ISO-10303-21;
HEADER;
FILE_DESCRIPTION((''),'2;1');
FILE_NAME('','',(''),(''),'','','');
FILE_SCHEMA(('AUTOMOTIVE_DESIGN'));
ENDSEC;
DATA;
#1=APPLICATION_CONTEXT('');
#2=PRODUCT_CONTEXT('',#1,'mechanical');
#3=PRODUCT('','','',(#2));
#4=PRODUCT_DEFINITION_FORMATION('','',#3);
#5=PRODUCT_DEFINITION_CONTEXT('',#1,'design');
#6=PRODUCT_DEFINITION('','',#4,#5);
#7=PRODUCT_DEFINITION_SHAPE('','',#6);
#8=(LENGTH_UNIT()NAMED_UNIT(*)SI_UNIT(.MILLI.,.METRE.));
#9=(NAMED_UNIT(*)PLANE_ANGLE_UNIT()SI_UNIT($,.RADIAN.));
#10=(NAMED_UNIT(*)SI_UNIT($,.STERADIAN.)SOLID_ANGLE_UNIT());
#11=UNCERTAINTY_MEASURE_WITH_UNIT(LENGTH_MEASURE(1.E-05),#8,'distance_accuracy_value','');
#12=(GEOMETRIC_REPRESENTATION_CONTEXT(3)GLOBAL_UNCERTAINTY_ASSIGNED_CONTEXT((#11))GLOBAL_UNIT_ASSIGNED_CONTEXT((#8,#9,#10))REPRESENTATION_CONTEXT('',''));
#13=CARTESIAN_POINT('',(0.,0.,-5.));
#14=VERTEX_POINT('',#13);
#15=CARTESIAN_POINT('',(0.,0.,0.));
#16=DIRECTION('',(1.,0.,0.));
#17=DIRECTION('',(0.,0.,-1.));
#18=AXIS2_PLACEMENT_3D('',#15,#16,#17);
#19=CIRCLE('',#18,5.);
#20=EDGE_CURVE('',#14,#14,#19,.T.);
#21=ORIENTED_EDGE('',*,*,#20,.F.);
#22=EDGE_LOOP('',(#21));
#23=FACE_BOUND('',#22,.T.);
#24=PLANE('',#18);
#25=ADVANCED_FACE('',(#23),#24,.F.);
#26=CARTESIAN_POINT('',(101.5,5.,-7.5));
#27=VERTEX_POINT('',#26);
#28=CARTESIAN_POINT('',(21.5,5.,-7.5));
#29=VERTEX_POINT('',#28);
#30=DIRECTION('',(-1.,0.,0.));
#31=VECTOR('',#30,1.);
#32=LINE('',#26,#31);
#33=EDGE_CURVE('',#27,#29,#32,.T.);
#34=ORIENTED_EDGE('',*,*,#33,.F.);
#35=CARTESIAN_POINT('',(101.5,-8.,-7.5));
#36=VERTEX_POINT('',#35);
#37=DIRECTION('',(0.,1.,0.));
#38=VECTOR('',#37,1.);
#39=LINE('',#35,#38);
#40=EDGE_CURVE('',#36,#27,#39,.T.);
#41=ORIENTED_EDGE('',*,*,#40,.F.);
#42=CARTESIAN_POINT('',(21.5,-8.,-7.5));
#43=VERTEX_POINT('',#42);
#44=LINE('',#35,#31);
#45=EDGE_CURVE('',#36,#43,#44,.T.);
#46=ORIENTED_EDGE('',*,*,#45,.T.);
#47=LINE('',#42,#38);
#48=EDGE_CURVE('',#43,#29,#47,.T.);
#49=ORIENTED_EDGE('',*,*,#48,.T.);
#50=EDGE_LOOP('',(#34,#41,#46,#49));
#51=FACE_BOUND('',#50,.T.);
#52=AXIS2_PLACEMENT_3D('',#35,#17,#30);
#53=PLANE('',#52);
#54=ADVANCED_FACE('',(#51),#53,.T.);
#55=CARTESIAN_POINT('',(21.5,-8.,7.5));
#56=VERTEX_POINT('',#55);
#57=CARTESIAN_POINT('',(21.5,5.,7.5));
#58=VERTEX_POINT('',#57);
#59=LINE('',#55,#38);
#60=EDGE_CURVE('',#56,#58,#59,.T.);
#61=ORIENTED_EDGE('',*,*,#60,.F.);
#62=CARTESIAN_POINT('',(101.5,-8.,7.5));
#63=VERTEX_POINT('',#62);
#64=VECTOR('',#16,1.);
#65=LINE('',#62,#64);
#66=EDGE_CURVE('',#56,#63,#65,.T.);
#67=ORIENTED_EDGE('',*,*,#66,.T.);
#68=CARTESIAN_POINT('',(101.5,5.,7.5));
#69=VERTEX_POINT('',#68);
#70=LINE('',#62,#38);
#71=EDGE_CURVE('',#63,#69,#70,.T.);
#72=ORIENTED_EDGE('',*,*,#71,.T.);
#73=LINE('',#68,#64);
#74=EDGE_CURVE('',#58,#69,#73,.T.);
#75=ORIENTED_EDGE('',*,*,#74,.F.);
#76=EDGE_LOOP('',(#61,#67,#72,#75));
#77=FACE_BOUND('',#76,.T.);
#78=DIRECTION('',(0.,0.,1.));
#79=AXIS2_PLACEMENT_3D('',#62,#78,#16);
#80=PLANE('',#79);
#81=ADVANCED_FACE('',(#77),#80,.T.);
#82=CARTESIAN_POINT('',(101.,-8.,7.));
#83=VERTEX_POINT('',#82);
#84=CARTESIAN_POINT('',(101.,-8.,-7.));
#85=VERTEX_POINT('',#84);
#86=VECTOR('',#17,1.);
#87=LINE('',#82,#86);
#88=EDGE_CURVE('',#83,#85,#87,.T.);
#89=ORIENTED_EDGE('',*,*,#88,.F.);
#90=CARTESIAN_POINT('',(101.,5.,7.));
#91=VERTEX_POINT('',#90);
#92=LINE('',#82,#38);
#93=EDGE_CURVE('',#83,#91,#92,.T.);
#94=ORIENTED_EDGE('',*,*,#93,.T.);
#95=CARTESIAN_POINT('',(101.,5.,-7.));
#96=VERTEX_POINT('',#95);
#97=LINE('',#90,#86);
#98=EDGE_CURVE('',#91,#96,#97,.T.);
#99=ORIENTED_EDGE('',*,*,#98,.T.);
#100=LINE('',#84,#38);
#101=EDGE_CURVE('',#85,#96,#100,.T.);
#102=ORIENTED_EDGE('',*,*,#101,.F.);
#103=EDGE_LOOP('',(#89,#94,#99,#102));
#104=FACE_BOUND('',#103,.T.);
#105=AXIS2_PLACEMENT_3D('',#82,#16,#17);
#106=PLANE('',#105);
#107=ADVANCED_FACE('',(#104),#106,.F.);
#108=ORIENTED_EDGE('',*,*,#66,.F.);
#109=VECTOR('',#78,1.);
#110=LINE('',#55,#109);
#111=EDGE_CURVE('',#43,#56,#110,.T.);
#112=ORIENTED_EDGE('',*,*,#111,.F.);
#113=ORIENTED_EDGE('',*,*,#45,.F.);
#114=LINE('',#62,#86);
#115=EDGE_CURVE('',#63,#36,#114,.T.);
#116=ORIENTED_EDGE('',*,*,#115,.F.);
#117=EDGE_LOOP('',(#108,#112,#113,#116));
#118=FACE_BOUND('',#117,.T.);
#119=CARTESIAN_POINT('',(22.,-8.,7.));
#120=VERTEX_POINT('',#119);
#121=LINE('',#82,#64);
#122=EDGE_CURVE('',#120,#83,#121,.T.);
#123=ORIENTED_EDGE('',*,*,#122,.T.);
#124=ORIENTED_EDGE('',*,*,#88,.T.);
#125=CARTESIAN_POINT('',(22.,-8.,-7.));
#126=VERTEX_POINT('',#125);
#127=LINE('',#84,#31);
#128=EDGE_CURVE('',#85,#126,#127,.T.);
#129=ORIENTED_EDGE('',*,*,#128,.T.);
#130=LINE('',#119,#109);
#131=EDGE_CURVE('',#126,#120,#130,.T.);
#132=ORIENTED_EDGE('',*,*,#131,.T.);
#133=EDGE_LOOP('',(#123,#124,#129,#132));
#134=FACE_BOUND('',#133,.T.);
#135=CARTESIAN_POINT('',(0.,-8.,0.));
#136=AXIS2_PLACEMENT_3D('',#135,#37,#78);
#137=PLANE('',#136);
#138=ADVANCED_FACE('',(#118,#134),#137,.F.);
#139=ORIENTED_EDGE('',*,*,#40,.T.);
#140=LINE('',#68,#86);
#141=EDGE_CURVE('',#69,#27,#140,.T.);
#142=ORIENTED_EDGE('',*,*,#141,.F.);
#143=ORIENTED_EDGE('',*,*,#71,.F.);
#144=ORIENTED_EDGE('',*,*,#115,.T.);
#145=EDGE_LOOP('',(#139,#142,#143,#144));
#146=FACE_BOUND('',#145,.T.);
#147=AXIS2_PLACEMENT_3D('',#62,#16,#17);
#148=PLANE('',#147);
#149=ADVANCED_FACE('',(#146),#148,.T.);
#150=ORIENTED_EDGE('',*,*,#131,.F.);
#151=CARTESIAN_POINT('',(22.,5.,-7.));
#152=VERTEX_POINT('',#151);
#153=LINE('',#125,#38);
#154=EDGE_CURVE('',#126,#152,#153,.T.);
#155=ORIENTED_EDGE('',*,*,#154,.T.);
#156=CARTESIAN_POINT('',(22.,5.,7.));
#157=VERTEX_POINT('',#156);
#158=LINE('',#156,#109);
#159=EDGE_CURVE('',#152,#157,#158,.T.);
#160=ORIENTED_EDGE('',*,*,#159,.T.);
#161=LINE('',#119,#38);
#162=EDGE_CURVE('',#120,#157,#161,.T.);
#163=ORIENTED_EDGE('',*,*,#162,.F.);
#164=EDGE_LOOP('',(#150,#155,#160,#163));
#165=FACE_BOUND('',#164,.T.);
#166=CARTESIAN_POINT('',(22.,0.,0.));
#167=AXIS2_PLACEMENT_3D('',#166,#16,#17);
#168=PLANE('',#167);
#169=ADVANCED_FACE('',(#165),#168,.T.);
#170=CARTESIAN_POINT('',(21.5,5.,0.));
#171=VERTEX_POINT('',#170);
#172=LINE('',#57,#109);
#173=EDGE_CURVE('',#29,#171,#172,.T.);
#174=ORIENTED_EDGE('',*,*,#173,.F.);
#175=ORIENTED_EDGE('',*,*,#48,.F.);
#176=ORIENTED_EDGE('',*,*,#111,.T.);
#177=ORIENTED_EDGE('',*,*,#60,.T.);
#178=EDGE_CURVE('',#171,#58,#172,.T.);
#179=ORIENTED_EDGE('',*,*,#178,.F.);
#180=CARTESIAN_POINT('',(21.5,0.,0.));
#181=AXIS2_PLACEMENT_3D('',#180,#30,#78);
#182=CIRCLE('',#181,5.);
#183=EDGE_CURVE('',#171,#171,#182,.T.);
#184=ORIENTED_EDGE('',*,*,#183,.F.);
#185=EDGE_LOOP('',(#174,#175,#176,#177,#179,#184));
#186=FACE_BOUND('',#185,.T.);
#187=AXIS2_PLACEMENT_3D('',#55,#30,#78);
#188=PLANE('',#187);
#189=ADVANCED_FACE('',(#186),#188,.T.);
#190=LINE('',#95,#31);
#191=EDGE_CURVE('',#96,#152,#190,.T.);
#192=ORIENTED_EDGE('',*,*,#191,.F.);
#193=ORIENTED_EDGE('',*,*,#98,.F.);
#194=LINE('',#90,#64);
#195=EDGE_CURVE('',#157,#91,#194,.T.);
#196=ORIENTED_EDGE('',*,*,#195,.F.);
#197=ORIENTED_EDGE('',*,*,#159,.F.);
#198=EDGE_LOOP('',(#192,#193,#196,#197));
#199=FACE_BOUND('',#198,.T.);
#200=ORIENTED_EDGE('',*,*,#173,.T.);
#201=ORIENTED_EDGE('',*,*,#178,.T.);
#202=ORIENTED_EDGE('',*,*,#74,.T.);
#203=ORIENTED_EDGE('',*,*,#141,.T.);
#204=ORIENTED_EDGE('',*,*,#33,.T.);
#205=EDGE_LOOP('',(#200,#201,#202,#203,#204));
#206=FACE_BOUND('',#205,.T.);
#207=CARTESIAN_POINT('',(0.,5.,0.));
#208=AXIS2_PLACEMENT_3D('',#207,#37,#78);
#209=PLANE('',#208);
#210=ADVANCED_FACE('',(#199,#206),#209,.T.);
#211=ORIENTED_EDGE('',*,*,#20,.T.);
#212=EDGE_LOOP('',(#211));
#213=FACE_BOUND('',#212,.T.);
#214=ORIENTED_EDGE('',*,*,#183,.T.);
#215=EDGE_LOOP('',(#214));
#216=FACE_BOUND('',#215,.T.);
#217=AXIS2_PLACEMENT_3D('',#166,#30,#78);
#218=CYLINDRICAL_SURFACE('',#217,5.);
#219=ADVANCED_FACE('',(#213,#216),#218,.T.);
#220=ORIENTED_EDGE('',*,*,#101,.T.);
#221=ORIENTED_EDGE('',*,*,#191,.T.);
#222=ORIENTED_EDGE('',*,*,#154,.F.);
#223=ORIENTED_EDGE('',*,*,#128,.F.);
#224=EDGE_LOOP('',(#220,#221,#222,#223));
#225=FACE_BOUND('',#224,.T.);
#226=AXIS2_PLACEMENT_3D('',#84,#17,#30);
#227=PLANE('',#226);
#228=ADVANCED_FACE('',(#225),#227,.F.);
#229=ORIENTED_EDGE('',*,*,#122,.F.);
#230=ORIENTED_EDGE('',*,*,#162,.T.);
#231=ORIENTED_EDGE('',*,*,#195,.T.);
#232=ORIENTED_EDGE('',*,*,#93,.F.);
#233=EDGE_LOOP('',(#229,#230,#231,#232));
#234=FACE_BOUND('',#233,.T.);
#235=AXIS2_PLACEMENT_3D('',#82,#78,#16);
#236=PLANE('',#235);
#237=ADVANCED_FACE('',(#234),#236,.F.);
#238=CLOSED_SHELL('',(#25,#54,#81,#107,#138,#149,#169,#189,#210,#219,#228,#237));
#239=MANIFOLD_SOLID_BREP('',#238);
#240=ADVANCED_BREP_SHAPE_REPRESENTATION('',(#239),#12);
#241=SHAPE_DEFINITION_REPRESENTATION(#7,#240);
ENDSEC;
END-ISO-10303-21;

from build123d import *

# Parameters (mm, degrees)
SKETCH1_R                = 5
BOSS_EXTRUDE1_DEPTH      = 22
BOSS_EXTRUDE2_DEPTH      = 5
BOSS_EXTRUDE2_DEPTH_BACK = 8
SKETCH2_W                = 80
SKETCH2_H                = 15
SKETCH2_W_2              = 79
SKETCH2_H_2              = 14


with BuildPart() as part:
    # Sketch1 → Boss-Extrude1 (new body)
    with BuildSketch(Plane(origin=(0, 0, 0), x_dir=(0, 0, -1), z_dir=(1, 0, 0))):
        Circle(SKETCH1_R)
    extrude(amount=BOSS_EXTRUDE1_DEPTH)

    # Sketch2 → Boss-Extrude2 (add, two sides: drawn at the far end of the back side and taken through both)
    with BuildSketch(Plane(origin=(0, 0, 0), x_dir=(1, 0, 0), z_dir=(0, 1, 0)).offset(-BOSS_EXTRUDE2_DEPTH_BACK)):
        with Locations((61.5, 0)):
            Rectangle(SKETCH2_W, SKETCH2_H)
        with Locations((61.5, 0)):
            Rectangle(SKETCH2_W_2, SKETCH2_H_2, mode=Mode.SUBTRACT)
    extrude(amount=BOSS_EXTRUDE2_DEPTH + BOSS_EXTRUDE2_DEPTH_BACK)


solid = part.part
